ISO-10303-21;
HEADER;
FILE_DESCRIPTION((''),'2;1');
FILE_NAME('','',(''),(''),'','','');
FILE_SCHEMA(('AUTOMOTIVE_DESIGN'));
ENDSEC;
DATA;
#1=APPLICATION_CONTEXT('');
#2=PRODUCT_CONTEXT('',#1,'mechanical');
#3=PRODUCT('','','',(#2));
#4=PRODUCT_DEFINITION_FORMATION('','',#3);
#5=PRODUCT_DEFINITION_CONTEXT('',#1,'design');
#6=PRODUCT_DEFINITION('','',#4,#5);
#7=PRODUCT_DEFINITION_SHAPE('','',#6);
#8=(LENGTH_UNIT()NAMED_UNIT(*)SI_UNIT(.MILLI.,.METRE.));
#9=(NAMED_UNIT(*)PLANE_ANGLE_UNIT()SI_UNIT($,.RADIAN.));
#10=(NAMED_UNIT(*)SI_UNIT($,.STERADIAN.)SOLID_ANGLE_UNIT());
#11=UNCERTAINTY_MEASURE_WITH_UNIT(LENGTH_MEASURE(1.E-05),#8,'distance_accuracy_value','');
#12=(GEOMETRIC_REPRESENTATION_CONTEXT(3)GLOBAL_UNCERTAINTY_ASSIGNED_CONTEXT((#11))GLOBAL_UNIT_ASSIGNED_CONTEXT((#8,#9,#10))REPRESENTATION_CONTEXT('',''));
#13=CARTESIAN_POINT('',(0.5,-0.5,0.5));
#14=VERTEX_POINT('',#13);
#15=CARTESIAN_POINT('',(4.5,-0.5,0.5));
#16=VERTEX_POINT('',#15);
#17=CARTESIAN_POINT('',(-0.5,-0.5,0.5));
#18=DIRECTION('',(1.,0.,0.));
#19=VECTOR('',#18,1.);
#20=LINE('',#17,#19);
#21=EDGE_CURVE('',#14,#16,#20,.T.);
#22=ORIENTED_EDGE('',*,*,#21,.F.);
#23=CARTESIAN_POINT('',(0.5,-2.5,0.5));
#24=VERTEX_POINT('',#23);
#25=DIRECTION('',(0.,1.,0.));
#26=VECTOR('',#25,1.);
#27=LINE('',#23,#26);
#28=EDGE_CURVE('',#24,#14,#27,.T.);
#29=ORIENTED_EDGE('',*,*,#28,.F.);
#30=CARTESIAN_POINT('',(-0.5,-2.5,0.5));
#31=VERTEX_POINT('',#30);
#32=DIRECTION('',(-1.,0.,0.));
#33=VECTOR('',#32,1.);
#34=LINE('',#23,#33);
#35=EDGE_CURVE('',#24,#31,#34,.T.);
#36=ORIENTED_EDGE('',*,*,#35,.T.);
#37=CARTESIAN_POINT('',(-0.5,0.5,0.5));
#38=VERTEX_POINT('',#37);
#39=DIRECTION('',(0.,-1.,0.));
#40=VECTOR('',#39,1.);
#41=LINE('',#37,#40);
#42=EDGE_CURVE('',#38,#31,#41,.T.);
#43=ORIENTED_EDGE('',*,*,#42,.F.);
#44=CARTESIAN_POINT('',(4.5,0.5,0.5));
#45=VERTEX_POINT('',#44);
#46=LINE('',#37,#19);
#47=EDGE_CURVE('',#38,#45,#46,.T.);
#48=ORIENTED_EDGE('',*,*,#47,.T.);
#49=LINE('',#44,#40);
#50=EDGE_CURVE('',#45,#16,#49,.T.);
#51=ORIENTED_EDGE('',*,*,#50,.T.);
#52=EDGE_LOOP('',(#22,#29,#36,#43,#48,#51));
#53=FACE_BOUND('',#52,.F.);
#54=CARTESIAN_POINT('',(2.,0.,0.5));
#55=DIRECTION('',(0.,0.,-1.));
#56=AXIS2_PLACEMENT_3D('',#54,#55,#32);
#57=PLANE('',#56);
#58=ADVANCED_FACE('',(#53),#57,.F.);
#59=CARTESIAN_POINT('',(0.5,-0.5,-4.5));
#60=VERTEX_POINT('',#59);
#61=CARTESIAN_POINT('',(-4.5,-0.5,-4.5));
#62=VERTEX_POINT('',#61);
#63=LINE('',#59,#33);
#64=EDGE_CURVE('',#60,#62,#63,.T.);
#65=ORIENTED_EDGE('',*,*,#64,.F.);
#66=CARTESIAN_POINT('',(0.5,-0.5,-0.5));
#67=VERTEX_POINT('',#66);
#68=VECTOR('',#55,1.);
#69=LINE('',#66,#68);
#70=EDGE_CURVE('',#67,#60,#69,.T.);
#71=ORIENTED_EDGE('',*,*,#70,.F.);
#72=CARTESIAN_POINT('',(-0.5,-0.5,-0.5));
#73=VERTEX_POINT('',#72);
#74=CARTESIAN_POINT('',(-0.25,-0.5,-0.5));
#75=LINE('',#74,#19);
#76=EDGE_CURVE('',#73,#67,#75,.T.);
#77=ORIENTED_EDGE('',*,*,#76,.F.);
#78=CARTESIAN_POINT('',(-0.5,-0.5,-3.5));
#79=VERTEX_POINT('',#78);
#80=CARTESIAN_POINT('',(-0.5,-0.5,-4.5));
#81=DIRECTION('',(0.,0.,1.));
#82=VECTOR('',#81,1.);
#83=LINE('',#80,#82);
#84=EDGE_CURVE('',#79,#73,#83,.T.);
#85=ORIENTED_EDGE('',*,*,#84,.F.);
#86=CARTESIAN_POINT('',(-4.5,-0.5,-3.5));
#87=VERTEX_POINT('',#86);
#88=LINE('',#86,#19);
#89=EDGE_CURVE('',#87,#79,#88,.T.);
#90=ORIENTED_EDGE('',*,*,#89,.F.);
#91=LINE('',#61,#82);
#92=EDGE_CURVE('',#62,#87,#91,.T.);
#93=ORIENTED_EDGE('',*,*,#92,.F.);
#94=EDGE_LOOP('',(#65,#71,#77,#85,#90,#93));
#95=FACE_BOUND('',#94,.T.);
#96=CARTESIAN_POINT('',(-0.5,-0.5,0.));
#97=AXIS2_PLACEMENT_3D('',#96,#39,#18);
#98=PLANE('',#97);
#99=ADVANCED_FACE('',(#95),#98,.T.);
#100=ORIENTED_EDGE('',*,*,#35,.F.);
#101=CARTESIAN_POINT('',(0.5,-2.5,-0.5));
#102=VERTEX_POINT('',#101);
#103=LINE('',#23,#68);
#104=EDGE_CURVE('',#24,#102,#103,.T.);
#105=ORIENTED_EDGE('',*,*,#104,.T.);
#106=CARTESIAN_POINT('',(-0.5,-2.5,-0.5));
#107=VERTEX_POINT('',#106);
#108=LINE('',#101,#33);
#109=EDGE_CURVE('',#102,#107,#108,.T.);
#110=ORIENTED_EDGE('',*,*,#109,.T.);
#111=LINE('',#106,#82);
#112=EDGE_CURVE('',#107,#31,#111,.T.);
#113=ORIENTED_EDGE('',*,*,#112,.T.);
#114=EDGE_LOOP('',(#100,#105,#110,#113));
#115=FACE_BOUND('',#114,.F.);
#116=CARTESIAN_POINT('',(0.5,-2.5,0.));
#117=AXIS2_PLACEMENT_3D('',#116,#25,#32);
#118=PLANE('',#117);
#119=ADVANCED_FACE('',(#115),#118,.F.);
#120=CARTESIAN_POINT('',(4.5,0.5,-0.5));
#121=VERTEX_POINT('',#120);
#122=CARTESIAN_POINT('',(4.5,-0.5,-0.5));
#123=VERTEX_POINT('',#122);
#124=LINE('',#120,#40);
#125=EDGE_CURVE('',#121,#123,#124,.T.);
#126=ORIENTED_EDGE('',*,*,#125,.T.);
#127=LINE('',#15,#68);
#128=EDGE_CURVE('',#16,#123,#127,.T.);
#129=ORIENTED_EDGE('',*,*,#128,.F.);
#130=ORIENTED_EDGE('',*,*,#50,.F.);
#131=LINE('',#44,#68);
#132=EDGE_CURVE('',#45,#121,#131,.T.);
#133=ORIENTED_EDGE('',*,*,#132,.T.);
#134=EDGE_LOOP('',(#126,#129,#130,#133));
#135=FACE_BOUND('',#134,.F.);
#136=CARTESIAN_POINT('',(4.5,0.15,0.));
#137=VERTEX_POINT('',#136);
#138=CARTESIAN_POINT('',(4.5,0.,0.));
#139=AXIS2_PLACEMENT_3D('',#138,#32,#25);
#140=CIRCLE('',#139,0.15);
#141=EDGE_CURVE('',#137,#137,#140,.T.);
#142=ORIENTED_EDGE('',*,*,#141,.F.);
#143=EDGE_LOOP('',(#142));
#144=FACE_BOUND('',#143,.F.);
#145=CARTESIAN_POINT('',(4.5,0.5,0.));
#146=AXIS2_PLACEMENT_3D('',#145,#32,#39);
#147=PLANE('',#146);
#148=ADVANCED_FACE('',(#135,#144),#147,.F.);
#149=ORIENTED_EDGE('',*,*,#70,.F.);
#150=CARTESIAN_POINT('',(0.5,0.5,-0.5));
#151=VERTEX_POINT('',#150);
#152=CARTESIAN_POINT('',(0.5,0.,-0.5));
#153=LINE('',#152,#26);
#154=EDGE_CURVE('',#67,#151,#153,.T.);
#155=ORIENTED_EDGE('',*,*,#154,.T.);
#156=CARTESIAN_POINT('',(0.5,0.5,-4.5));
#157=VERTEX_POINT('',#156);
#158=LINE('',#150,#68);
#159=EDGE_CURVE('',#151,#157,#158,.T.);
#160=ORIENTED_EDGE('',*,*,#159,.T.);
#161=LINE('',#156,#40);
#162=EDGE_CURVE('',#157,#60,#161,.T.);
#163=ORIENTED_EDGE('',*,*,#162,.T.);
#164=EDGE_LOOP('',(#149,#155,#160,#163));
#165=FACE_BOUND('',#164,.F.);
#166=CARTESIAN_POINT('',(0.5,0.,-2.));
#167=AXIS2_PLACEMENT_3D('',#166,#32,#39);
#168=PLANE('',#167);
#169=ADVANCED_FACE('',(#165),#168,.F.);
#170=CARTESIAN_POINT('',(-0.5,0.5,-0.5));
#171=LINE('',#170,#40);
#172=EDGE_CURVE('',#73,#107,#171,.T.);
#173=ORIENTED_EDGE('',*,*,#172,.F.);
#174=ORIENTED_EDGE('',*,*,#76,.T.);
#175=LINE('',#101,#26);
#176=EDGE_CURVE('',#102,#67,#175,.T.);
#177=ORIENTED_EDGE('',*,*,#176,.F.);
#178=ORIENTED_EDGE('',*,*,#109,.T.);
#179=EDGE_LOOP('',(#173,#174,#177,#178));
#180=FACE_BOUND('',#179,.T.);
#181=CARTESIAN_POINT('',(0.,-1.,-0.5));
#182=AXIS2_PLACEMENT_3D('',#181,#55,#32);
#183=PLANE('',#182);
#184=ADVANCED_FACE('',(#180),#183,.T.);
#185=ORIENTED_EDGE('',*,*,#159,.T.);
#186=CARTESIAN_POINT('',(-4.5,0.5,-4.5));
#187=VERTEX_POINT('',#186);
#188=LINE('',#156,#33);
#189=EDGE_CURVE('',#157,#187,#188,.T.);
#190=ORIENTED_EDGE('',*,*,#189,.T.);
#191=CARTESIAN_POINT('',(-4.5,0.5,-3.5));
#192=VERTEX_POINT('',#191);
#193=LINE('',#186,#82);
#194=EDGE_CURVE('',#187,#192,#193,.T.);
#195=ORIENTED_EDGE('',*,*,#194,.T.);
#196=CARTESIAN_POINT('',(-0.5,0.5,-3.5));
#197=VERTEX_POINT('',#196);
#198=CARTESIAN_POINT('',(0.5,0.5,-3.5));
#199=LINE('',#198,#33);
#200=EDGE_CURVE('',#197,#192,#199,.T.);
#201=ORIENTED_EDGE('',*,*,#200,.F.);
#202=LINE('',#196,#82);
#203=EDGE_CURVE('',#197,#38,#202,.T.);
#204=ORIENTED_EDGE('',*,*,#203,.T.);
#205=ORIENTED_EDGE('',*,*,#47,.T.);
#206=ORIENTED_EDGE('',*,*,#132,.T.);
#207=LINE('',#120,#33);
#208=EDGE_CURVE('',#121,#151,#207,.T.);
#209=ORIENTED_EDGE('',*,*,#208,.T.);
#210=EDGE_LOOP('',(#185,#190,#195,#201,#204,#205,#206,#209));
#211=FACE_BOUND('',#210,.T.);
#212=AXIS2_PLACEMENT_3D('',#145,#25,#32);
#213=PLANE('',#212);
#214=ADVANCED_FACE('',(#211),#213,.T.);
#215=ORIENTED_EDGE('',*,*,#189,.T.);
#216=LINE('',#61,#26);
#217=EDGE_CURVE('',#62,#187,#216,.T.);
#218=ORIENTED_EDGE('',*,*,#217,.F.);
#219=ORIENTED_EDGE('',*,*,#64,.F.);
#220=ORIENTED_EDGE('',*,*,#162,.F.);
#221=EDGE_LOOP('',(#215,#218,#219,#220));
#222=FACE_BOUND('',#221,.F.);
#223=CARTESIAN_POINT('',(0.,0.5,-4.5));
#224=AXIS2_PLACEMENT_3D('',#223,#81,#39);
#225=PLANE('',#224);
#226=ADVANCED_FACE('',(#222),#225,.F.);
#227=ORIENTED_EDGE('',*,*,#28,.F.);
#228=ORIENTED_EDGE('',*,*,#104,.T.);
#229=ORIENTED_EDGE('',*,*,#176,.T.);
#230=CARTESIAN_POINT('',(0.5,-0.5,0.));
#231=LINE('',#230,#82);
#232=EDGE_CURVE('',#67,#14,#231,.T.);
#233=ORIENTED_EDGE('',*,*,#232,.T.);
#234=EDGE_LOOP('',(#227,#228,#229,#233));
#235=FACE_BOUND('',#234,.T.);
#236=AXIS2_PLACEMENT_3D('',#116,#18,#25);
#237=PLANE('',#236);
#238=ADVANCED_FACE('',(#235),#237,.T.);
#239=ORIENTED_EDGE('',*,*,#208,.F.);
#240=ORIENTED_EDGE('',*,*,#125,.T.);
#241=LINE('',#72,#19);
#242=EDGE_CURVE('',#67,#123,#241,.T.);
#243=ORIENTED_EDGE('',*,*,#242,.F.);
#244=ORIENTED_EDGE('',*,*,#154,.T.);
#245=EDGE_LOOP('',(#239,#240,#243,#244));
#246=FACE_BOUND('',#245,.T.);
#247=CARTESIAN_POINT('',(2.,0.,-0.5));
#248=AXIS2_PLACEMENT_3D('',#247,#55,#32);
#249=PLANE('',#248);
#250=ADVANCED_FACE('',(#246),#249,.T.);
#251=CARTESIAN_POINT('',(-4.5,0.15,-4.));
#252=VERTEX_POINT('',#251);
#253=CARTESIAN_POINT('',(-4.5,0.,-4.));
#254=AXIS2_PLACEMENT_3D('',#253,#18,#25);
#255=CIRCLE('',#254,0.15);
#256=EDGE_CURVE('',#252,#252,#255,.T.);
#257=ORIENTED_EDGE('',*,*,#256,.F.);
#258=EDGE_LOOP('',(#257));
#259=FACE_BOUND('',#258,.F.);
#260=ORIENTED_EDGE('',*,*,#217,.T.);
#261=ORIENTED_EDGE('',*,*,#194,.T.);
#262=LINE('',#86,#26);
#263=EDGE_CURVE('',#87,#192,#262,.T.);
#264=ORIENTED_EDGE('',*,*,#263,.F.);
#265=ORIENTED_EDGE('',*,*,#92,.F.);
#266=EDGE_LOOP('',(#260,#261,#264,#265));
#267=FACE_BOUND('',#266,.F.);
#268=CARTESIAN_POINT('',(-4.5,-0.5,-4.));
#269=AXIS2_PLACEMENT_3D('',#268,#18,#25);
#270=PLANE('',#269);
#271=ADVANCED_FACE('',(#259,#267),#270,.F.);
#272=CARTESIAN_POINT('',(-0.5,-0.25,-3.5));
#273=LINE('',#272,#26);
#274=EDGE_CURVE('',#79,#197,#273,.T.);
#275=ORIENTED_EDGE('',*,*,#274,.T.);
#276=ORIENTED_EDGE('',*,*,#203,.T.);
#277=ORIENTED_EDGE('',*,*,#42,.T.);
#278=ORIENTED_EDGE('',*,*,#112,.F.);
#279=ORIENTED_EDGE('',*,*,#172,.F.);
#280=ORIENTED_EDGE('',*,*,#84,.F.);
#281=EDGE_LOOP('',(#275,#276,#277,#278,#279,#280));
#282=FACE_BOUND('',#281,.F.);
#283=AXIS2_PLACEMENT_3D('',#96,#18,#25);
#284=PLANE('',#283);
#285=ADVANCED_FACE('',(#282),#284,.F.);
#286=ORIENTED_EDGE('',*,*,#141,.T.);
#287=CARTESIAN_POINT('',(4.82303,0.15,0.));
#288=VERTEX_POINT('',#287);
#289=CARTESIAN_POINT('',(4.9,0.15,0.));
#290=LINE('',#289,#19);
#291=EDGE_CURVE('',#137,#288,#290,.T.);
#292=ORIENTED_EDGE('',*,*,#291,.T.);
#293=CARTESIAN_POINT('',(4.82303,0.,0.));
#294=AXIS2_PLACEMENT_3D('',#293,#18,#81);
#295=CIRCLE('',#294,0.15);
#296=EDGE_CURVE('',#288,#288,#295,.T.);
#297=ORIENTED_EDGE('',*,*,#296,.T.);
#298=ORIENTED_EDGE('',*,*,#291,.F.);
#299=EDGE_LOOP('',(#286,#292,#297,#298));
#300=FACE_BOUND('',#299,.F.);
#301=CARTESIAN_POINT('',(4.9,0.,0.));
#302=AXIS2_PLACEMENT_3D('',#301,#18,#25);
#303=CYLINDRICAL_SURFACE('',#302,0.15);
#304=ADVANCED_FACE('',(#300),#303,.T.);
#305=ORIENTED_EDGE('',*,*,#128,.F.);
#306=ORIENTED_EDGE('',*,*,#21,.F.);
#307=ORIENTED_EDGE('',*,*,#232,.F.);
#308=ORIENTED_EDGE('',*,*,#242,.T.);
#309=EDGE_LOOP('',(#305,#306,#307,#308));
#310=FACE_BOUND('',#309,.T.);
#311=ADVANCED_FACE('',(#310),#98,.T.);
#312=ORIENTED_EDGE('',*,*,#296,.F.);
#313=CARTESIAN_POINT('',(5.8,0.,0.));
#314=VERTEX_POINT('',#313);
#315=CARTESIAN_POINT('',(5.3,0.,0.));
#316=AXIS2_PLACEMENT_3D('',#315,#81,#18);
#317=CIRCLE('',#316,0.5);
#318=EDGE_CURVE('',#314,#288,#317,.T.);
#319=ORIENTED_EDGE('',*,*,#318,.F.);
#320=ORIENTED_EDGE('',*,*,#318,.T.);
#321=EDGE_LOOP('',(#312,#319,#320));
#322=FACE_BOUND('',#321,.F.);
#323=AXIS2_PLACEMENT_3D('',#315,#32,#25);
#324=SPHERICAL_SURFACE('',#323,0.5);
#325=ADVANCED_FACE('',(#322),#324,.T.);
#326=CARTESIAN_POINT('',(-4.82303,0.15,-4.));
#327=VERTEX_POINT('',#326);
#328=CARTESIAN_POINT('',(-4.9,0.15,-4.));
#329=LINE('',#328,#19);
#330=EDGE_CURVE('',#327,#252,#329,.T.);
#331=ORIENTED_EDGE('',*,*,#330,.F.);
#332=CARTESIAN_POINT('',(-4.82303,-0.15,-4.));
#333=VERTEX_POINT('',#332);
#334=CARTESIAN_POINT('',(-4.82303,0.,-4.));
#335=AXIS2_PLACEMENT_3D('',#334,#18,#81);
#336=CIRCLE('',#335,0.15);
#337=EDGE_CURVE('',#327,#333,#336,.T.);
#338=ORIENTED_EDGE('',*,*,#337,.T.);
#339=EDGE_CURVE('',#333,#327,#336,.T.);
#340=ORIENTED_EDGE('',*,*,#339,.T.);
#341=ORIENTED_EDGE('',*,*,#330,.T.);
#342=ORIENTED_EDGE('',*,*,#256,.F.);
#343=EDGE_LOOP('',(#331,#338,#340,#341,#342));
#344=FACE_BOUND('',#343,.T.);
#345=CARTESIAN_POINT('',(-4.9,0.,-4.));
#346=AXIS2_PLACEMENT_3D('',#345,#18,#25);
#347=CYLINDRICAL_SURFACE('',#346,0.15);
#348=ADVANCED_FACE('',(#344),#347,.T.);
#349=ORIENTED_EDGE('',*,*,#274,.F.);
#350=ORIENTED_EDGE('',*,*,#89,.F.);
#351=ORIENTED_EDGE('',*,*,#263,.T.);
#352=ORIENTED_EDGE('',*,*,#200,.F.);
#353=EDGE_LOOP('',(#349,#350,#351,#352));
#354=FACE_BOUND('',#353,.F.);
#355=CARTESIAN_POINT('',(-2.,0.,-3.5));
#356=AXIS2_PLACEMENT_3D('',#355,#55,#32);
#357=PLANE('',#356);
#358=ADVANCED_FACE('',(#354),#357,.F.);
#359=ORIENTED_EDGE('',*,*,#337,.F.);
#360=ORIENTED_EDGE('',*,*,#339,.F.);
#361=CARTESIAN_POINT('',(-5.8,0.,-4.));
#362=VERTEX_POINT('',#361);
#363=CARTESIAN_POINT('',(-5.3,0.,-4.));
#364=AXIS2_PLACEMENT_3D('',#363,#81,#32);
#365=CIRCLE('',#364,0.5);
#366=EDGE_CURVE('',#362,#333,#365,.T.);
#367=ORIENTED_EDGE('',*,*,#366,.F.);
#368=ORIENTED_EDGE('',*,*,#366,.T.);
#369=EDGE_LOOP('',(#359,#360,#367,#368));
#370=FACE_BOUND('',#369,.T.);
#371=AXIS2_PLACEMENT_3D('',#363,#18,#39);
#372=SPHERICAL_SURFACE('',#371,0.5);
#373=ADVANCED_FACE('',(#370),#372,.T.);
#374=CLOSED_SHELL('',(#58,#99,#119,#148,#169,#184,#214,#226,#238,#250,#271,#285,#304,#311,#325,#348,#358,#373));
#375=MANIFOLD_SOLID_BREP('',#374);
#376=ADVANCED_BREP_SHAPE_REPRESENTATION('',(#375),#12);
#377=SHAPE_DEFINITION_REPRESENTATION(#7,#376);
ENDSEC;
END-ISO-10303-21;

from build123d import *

# Parameters (mm, degrees)
PAD_DEPTH    = 0.5
PAD001_DEPTH = 0.5
PAD002_DEPTH = 0.5
PAD003_DEPTH = 0.5
SKETCH004_W  = 0.8
SKETCH004_H  = 0.15
SKETCH006_W  = 0.8
SKETCH006_H  = 0.15


with BuildPart() as part:
    # Sketch → Pad (new body, symmetric)
    with BuildSketch(Plane.XY):
        Polygon((0.5, 0.5), (4.5, 0.5), (4.5, -0.5), (0.5, -0.5), (-0.5, -0.5), (-0.5, 0.5), align=None)
    extrude(amount=PAD_DEPTH, both=True)

    # Sketch001 → Pad001 (join, symmetric)
    with BuildSketch(Plane.YZ):
        Polygon((-0.5, 0.5), (0.5, 0.5), (0.5, -0.5), (0.5, -4.5), (-0.5, -4.5), (-0.5, -0.5), align=None)
    extrude(amount=PAD001_DEPTH, both=True)

    # Sketch002 (on DatumPlane) → Pad002 (join, symmetric)
    with BuildSketch(Plane.XY.offset(-4)):
        Polygon((-4.5, 0.5), (-0.5, 0.5), (0.5, 0.5), (0.5, -0.5), (-0.5, -0.5), (-4.5, -0.5), align=None)
    extrude(amount=PAD002_DEPTH, both=True)

    # Sketch003 → Pad003 (join, symmetric)
    with BuildSketch(Plane.XY):
        Polygon((-0.5, 0.5), (0.5, 0.5), (0.5, -0.5), (0.5, -2.5), (-0.5, -2.5), (-0.5, -0.5), align=None)
    extrude(amount=PAD003_DEPTH, both=True)

    # Sketch004 → Revolution (revolve)
    with BuildSketch(Plane.XY):
        with Locations((4.9, 0.075)):
            Rectangle(SKETCH004_W, SKETCH004_H)
    revolve(axis=Axis((0, 0, 0), (-1, 0, 0)))

    # Sketch005 → Revolution001 (revolve)
    with BuildSketch(Plane.XY):
        with BuildLine():
            ThreePointArc((5.8, 0), (5.3, 0.5), (4.8, 0))
            Line((4.8, 0), (5.3, 0))
            Line((5.3, 0), (5.8, 0))
        make_face()
    revolve(axis=Axis((0, 0, 0), (1, 0, 0)))

    # Sketch006 (on DatumPlane) → Revolution002 (revolve)
    with BuildSketch(Plane.XY.offset(-4)):
        with Locations((-4.9, 0.075)):
            Rectangle(SKETCH006_W, SKETCH006_H)
    revolve(axis=Axis((0, 0, -4), (1, 0, 0)))

    # Sketch007 (on DatumPlane) → Revolution003 (revolve)
    with BuildSketch(Plane.XY.offset(-4)):
        with BuildLine():
            ThreePointArc((-5.8, 0), (-5.3, -0.5), (-4.8, 0))
            Line((-5.3, 0), (-4.8, 0))
            Line((-5.8, 0), (-5.3, 0))
        make_face()
    revolve(axis=Axis((0, 0, -4), (1, 0, 0)))


solid = part.part
